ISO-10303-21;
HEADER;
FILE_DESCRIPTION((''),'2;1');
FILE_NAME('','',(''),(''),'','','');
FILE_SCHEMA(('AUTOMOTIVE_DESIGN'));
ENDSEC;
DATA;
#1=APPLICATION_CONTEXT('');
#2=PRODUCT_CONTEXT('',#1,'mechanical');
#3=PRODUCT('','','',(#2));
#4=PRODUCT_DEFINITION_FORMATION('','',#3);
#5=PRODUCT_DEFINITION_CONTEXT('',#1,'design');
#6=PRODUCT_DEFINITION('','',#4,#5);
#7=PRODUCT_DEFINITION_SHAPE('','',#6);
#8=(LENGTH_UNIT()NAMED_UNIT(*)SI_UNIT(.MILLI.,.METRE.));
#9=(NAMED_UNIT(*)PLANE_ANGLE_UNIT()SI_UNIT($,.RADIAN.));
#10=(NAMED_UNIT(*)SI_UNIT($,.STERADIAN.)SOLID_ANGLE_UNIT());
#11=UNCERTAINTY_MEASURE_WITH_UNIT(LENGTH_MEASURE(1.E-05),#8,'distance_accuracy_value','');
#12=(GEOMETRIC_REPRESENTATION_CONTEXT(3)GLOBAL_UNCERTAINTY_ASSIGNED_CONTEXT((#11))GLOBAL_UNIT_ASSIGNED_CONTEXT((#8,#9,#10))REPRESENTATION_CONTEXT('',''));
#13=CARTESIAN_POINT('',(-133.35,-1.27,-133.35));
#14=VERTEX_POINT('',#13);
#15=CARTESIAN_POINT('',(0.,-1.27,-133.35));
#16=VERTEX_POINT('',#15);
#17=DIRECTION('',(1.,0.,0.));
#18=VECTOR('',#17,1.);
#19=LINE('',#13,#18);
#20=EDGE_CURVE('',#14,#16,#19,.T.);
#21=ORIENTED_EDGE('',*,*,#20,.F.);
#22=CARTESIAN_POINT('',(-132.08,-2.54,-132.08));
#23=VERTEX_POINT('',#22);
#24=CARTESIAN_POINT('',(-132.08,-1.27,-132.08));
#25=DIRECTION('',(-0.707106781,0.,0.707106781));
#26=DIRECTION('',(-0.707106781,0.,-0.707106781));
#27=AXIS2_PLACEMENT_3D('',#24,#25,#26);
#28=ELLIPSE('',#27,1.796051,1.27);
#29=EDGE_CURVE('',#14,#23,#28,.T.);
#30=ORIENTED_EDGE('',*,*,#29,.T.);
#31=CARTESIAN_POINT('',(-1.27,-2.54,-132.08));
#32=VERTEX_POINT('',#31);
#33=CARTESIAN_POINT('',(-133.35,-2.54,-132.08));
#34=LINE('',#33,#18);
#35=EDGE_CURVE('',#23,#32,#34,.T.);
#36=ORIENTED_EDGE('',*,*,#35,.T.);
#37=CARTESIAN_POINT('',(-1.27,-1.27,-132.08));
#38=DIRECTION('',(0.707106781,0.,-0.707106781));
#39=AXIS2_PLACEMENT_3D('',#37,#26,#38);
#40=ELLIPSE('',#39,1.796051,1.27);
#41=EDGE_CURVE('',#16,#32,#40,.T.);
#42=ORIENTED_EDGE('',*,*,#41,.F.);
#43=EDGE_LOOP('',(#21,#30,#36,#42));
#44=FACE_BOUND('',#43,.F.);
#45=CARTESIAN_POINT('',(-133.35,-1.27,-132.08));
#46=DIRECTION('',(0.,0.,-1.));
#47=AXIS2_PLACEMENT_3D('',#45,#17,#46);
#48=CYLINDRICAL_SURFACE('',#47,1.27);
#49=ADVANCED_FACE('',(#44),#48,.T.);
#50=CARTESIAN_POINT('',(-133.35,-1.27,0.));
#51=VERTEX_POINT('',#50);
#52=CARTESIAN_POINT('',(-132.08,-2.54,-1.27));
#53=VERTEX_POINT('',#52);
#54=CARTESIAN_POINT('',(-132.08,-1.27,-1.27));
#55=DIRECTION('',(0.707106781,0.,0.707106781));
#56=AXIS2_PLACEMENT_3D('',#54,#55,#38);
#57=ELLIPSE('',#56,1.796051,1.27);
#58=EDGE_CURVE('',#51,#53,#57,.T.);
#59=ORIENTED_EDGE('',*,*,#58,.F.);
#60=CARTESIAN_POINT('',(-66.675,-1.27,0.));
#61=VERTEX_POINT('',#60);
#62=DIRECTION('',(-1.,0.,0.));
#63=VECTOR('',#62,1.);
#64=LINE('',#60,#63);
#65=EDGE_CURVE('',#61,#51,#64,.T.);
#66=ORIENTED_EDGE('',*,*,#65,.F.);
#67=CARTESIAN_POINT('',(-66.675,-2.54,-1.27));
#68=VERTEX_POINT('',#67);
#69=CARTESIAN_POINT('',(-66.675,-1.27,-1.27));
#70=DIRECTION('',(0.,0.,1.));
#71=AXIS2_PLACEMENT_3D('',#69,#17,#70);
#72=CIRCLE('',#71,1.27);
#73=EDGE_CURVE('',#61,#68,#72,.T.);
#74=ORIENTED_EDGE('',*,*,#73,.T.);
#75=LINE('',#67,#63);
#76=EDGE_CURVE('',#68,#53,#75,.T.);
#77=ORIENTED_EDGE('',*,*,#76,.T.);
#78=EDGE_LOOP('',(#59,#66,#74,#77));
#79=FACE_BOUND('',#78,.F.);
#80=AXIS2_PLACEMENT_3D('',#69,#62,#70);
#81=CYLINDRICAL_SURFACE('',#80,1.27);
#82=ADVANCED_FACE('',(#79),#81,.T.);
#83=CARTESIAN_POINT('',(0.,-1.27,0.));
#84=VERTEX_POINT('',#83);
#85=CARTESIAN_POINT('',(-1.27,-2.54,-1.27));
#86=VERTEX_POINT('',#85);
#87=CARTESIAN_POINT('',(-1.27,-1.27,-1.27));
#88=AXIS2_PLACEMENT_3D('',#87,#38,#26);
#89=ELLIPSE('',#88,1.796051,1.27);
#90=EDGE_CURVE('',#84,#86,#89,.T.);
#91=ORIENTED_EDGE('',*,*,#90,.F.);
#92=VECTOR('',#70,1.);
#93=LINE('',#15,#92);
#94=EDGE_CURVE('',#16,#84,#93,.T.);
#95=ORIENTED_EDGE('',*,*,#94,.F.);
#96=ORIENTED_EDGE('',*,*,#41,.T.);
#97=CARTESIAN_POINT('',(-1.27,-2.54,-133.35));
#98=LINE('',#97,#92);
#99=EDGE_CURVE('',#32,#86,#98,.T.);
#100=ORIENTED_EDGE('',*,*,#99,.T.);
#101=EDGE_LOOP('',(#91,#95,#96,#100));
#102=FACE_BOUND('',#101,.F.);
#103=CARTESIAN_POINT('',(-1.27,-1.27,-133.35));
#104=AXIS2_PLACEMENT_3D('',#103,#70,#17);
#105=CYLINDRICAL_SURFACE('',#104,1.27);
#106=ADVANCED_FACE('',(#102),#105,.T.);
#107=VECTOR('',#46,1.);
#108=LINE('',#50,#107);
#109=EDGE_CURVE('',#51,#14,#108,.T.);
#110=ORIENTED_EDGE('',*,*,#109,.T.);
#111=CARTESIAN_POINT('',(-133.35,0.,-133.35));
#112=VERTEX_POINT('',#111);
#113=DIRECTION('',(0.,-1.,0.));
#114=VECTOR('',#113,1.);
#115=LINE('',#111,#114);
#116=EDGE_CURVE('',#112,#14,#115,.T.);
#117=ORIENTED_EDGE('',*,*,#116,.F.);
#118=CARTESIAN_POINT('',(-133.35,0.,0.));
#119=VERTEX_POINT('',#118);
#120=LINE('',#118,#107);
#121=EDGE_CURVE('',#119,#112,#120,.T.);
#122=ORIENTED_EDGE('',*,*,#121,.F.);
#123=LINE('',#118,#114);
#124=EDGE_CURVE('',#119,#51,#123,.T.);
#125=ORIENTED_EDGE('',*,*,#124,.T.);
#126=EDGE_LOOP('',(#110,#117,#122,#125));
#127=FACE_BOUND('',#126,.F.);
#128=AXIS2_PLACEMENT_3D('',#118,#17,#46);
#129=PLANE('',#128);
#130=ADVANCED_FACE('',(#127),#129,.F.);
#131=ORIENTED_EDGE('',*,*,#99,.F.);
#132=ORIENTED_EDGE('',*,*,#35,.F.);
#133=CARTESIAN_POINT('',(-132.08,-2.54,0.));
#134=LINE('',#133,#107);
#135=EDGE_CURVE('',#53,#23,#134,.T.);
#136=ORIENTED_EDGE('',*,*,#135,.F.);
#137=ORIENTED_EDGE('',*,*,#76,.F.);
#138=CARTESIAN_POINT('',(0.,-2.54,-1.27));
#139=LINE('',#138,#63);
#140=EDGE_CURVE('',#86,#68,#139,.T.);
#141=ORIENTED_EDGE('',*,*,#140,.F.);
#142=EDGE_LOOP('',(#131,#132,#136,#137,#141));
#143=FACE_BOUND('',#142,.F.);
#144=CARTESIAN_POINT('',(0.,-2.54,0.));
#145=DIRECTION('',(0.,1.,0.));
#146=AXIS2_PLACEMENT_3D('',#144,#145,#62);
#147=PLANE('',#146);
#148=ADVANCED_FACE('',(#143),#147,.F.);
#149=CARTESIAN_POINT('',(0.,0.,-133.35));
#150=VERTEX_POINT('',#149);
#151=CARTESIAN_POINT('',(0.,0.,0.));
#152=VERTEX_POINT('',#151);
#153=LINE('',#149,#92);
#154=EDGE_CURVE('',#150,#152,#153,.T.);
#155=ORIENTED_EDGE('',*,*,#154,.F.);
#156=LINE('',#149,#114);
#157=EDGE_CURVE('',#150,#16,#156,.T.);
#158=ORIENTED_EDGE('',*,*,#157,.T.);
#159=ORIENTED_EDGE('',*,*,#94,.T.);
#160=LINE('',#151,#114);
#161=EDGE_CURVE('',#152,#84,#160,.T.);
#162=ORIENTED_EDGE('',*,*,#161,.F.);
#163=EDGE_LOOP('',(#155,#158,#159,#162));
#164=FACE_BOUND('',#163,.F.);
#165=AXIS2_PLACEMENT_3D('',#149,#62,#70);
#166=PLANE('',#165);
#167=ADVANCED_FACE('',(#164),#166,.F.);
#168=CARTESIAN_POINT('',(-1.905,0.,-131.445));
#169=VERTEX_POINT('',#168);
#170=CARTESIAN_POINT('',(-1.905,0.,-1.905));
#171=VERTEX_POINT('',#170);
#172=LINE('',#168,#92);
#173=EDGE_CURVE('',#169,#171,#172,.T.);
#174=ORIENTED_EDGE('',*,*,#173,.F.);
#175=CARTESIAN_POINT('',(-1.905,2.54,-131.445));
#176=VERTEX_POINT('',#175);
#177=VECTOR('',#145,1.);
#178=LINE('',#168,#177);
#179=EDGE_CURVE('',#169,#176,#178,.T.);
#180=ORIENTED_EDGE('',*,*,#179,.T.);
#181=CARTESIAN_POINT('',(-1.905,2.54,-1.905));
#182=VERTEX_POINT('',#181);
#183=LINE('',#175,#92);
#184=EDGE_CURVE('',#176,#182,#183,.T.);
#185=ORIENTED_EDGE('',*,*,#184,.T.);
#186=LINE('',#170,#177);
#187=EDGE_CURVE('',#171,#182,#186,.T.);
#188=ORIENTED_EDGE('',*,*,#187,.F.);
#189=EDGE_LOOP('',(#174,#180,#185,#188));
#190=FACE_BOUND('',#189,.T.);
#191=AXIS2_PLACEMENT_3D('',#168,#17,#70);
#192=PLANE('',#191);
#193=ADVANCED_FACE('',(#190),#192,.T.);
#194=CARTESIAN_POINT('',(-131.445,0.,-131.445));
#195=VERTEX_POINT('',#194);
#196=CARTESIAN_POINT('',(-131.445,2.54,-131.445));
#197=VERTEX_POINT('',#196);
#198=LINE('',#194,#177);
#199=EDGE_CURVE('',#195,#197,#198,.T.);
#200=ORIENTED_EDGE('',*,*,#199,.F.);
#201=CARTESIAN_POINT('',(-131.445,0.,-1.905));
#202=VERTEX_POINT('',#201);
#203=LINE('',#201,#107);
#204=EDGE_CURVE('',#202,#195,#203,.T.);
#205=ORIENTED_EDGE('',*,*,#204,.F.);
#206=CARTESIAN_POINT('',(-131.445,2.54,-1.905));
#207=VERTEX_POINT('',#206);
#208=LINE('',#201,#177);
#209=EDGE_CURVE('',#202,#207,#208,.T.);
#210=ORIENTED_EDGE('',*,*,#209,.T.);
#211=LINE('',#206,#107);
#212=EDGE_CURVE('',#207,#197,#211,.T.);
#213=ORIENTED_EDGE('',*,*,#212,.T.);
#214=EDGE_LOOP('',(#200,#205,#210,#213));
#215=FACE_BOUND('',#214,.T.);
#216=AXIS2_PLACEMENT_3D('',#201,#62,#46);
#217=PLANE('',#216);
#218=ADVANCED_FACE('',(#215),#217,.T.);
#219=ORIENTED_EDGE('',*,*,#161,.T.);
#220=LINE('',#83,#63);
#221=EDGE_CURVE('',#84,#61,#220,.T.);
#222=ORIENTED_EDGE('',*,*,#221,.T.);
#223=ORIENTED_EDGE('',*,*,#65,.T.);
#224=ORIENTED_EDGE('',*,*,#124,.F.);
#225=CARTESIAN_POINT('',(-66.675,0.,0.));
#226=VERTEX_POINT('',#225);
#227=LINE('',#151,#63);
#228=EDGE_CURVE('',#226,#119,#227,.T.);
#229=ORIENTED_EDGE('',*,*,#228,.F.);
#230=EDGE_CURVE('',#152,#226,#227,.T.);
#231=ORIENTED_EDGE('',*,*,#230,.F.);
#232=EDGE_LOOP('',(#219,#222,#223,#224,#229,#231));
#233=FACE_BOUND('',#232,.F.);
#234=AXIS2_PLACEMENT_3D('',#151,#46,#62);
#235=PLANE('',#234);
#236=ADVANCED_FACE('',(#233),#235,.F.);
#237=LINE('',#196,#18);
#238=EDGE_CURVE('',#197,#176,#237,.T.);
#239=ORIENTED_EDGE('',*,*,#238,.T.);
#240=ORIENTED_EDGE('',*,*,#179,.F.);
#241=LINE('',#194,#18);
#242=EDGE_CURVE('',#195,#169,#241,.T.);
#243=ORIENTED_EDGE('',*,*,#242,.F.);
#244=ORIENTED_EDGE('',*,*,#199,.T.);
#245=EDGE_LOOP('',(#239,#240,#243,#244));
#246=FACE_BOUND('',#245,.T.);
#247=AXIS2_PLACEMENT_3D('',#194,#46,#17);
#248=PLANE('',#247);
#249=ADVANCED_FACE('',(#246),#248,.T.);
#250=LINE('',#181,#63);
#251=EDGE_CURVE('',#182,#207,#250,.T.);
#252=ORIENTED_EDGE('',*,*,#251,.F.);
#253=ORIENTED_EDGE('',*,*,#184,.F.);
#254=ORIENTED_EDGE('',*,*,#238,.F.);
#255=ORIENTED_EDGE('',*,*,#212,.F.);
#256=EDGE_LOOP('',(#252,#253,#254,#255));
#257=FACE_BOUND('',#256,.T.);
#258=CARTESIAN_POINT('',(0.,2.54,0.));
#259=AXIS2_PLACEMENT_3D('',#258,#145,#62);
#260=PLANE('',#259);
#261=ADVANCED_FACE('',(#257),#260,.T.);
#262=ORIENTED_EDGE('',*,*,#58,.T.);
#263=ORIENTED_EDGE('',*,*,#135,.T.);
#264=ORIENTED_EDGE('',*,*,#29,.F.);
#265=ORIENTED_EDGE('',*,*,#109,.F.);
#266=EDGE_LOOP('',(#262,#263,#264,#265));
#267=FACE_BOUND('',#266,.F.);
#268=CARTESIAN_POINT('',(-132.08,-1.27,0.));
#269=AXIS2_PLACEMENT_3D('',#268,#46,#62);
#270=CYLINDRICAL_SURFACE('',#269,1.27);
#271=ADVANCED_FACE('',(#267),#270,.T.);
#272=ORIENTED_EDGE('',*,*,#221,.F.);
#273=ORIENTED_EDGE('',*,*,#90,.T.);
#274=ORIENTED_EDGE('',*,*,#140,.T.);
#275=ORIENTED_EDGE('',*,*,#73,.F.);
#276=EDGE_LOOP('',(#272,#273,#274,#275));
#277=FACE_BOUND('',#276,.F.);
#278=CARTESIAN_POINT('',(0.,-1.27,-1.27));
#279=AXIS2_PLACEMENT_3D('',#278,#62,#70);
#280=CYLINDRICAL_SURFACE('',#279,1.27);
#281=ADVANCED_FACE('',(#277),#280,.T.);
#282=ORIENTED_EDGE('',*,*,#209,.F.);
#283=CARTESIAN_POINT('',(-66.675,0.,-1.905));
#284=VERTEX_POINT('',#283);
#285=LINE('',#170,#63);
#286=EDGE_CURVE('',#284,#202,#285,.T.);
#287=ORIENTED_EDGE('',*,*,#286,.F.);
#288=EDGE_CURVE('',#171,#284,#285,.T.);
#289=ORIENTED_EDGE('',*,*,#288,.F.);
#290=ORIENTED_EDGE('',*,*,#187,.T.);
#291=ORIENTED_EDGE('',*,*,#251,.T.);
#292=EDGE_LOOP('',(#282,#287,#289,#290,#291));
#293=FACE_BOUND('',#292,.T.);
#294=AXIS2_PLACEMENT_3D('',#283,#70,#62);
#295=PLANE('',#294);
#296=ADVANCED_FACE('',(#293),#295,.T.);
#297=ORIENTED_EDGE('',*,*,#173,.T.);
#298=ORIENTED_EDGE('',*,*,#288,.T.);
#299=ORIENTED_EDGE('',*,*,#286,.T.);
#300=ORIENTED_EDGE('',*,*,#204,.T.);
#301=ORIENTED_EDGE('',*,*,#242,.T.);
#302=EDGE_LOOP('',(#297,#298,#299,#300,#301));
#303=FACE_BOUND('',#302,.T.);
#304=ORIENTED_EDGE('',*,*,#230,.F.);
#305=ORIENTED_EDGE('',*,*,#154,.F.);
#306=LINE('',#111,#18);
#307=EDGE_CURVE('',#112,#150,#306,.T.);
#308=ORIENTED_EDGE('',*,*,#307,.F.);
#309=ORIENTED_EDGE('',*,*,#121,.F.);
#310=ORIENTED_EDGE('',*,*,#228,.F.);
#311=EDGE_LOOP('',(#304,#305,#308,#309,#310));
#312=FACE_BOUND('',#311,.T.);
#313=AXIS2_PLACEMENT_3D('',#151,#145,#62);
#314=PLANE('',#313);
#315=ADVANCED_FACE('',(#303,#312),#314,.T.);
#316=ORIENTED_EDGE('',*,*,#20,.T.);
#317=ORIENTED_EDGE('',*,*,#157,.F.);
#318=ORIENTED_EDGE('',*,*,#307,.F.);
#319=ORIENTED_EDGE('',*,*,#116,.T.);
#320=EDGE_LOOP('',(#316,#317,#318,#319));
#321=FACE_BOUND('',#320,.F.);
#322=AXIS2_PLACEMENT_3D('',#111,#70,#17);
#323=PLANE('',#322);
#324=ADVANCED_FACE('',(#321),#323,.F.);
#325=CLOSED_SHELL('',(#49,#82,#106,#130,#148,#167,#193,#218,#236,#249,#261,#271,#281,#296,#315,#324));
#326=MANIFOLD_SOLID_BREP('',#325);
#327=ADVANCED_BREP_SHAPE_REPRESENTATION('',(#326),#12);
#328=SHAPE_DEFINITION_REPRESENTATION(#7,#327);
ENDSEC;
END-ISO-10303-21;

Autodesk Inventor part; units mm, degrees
ref_plane "YZ Plane" through (0, 0, 0) normal (1, 0, 0) x (0, 1, 0)
ref_plane "XZ Plane" through (0, 0, 0) normal (0, 1, 0) x (-1, 0, 0)
ref_plane "XY Plane" through (0, 0, 0) normal (0, 0, 1) x (1, 0, 0)
sketch "Sketch1" plane through (0, 0, 0) normal (0, 1, 0) x (-1, 0, 0)
  line L0 (0, 0) -> (133.35, 0)
  line L1 (133.35, 0) -> (133.35, -133.35)
  line L2 (133.35, -133.35) -> (0, -133.35)
  line L3 (0, -133.35) -> (0, 0)
  line L4 (66.675, 0) -> (66.675, -66.675)
  line L5 (1.905, -1.905) -> (131.445, -1.905)
  line L6 (131.445, -1.905) -> (131.445, -131.445)
  line L7 (131.445, -131.445) -> (1.905, -131.445)
  line L8 (1.905, -131.445) -> (1.905, -1.905)
  line L9 (1.905, -1.905) -> (131.445, -131.445) construction
  line L10 (131.445, -1.905) -> (1.905, -131.445) construction
  dimension "d0" = 133.35
  dimension "d1" = 133.35
  dimension "d2" = 66.675
  dimension "d3" = 129.54
  dimension "d4" = 129.54
extrude "Extrusion1" add sketch "Sketch1" along normal blind 2.54 contours L5 L6 L7 L8
extrude "Extrusion2" add sketch "Sketch1" against normal blind 2.54 contours L5 L6 L7 L8 | L0 L1 L2 L3
fillet "Fillet1" radius 1.27 4 edges at (-133.35, -2.54, -66.675) (-66.675, -2.54, -133.35) (-66.675, -2.54, 0) (0, -2.54, -66.675)
properties part number "TC720 lid"
